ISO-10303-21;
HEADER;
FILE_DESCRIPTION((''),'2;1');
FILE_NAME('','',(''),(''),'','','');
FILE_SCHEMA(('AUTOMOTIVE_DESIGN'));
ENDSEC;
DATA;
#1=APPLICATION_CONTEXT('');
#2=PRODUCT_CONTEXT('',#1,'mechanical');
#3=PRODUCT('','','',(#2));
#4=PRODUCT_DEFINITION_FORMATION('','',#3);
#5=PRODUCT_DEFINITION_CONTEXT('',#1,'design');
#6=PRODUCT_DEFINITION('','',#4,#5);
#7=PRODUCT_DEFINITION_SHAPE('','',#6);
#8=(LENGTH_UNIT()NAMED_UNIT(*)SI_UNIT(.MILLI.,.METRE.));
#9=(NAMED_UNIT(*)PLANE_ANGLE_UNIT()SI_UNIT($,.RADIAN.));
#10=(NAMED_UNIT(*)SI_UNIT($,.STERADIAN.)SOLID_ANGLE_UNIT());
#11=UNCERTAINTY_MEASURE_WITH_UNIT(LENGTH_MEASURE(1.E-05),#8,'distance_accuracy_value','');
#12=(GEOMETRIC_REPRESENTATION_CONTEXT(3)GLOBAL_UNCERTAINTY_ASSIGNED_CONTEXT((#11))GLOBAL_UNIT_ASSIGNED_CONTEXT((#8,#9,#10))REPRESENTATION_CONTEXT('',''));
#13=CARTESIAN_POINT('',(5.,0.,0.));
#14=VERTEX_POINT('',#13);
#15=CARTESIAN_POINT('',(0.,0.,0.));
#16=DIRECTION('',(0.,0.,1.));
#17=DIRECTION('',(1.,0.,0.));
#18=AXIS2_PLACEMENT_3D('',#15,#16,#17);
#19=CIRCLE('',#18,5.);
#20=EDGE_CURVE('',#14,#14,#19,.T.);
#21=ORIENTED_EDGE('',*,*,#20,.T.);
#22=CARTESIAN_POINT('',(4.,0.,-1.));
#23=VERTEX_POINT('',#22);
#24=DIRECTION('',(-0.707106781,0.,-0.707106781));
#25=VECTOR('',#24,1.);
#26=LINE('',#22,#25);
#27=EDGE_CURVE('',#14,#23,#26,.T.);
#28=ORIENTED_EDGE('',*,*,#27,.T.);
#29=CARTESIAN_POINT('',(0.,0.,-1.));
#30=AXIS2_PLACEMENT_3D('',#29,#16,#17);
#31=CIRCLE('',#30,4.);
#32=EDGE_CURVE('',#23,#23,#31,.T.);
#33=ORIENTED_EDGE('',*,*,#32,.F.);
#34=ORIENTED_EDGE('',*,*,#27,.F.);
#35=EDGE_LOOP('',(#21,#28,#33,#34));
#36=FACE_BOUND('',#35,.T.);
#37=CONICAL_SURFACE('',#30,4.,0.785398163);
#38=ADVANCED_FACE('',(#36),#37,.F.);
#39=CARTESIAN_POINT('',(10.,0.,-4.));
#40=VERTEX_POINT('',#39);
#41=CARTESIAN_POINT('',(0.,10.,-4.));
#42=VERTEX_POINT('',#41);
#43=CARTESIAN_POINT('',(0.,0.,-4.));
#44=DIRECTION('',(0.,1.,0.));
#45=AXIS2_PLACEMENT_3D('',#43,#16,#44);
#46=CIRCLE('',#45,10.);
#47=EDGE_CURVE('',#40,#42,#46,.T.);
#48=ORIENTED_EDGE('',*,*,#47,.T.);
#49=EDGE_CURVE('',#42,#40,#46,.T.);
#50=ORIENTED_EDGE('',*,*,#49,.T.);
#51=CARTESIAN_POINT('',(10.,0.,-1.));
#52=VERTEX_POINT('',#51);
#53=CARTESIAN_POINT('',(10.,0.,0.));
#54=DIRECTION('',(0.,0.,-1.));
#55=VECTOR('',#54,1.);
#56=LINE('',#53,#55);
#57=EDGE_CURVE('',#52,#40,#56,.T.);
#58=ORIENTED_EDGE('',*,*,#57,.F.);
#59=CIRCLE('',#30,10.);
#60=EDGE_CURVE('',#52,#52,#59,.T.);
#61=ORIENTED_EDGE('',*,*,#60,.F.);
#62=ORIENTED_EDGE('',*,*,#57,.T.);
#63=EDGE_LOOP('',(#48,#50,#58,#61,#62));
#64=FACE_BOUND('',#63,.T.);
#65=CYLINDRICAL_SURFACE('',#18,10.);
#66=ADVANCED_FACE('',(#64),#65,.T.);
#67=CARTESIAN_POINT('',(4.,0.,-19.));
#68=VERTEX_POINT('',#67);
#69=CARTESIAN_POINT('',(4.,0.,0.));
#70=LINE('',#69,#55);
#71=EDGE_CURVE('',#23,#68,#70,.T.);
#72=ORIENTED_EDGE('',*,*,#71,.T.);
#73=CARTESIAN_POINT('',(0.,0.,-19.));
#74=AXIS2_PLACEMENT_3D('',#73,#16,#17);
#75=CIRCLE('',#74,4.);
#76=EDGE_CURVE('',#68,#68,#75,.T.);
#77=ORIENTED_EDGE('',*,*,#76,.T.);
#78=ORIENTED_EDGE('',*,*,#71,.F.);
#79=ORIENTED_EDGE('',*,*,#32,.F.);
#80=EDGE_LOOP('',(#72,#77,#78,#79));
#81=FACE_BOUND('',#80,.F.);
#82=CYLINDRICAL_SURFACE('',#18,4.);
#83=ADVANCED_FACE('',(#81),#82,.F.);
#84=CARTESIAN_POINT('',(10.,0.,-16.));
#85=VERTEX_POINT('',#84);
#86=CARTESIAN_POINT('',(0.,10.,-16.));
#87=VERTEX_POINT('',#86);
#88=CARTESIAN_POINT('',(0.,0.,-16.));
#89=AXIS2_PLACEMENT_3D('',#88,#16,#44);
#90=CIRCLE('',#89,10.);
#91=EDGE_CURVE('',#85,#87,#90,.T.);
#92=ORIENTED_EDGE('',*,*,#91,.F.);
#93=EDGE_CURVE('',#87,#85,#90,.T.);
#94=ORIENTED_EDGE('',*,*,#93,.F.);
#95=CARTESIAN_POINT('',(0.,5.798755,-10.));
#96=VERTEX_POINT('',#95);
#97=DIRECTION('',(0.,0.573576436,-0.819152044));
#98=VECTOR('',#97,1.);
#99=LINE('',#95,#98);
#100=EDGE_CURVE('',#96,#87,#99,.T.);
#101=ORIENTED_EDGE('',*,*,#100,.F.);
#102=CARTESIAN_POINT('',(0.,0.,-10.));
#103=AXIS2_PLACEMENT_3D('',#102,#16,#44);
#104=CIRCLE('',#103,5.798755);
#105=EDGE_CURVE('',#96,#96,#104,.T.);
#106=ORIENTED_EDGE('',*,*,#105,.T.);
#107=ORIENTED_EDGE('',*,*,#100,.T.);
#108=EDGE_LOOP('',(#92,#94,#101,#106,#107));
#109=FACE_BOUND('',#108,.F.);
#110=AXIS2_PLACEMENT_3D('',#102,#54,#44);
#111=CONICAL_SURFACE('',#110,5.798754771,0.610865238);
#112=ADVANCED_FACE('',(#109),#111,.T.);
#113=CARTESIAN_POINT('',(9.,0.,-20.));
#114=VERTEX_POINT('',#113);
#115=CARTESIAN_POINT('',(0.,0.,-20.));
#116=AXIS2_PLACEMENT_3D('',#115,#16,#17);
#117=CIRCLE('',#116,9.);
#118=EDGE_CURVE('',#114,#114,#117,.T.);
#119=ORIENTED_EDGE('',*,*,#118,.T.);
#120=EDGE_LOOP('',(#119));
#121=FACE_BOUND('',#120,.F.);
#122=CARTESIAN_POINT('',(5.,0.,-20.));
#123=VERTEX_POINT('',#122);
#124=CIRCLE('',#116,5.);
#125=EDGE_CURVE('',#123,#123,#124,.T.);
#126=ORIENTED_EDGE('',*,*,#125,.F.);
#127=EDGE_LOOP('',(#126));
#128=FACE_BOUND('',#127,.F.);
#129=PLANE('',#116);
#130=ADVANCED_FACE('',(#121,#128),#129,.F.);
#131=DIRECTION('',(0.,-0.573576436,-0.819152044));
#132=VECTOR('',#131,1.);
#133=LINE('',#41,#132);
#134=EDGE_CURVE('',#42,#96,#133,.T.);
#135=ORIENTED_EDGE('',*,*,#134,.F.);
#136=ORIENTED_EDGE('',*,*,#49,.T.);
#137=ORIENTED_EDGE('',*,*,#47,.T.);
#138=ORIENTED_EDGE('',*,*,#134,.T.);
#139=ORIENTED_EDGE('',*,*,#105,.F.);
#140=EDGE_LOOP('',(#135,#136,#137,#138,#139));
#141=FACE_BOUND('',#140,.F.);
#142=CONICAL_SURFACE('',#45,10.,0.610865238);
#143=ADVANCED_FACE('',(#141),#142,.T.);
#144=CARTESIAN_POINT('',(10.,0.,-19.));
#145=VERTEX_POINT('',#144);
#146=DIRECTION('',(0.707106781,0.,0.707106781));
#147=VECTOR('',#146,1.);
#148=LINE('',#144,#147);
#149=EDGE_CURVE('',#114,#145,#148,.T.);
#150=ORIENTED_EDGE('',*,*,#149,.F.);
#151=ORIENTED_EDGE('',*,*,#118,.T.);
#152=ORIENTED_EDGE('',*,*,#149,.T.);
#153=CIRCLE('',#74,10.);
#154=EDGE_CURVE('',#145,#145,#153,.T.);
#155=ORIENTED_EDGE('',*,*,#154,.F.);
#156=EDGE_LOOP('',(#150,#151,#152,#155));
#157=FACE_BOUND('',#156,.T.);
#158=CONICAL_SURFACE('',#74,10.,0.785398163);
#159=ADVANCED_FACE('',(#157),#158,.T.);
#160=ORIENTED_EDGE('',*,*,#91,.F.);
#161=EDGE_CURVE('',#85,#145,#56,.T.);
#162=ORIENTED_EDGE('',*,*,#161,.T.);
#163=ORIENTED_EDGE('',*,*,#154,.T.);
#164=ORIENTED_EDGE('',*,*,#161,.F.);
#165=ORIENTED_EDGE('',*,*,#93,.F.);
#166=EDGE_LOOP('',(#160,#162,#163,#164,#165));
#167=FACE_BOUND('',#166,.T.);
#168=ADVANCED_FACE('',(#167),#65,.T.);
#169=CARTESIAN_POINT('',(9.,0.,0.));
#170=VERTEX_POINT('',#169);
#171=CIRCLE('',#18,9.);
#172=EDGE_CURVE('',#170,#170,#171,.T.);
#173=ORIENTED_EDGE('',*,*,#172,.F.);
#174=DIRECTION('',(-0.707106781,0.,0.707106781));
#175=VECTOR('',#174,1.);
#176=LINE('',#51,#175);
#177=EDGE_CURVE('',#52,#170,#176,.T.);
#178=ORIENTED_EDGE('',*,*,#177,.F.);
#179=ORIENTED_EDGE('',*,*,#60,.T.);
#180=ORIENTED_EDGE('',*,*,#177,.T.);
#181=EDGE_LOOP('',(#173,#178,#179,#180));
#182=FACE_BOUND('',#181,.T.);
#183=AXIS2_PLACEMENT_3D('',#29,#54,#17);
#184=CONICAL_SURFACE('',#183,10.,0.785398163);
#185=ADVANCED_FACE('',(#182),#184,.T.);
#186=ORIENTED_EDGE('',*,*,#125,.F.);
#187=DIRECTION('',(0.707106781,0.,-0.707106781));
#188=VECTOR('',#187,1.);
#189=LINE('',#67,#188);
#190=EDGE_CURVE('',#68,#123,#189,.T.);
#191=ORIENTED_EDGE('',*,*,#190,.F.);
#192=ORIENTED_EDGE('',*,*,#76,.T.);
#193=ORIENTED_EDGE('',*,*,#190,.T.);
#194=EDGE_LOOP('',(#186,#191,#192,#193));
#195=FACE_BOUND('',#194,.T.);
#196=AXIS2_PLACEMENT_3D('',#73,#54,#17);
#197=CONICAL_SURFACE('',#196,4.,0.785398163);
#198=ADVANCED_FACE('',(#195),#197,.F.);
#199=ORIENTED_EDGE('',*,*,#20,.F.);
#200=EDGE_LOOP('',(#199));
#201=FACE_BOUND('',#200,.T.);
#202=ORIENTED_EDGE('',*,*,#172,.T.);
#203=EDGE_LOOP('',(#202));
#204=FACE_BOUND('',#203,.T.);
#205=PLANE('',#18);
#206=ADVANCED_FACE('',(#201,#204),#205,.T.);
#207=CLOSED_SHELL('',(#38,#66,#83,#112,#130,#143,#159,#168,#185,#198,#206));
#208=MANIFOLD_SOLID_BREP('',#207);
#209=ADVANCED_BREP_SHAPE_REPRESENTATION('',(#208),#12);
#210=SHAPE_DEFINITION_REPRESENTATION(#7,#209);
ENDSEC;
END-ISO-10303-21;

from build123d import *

# Parameters (mm, degrees)
F0_R     = 10
F1_DEPTH = 20
F5_R     = 4
F6_DEPTH = 25
F7_SIZE  = 1


with BuildPart() as f1:
    # F0 (on Top) → F1 (new body)
    with BuildSketch(Plane.XY):
        Circle(F0_R)
    extrude(amount=-F1_DEPTH)

    # F2 (on Right) → F3 (revolve, cut)
    with BuildSketch(Plane.YZ):
        Polygon((10, -16), (10, -4), (5.7987547707, -10), align=None)
    revolve(axis=Axis((0, 0, 0), (0, 0, 1)), mode=Mode.SUBTRACT)

    # F5 (on face) → F6 (cut)
    with BuildSketch(Plane.XY):
        Circle(F5_R)
    extrude(amount=-F6_DEPTH, mode=Mode.SUBTRACT)

    # F7
    f7_edges = [f1.edges().sort_by_distance(p)[0] for p in [
        (-4, 0, -20),
        (-10, 0, -20),
        (-10, 0, 0),
        (-4, 0, 0),
    ]]
    chamfer(f7_edges, length=F7_SIZE)


solid = f1.part
